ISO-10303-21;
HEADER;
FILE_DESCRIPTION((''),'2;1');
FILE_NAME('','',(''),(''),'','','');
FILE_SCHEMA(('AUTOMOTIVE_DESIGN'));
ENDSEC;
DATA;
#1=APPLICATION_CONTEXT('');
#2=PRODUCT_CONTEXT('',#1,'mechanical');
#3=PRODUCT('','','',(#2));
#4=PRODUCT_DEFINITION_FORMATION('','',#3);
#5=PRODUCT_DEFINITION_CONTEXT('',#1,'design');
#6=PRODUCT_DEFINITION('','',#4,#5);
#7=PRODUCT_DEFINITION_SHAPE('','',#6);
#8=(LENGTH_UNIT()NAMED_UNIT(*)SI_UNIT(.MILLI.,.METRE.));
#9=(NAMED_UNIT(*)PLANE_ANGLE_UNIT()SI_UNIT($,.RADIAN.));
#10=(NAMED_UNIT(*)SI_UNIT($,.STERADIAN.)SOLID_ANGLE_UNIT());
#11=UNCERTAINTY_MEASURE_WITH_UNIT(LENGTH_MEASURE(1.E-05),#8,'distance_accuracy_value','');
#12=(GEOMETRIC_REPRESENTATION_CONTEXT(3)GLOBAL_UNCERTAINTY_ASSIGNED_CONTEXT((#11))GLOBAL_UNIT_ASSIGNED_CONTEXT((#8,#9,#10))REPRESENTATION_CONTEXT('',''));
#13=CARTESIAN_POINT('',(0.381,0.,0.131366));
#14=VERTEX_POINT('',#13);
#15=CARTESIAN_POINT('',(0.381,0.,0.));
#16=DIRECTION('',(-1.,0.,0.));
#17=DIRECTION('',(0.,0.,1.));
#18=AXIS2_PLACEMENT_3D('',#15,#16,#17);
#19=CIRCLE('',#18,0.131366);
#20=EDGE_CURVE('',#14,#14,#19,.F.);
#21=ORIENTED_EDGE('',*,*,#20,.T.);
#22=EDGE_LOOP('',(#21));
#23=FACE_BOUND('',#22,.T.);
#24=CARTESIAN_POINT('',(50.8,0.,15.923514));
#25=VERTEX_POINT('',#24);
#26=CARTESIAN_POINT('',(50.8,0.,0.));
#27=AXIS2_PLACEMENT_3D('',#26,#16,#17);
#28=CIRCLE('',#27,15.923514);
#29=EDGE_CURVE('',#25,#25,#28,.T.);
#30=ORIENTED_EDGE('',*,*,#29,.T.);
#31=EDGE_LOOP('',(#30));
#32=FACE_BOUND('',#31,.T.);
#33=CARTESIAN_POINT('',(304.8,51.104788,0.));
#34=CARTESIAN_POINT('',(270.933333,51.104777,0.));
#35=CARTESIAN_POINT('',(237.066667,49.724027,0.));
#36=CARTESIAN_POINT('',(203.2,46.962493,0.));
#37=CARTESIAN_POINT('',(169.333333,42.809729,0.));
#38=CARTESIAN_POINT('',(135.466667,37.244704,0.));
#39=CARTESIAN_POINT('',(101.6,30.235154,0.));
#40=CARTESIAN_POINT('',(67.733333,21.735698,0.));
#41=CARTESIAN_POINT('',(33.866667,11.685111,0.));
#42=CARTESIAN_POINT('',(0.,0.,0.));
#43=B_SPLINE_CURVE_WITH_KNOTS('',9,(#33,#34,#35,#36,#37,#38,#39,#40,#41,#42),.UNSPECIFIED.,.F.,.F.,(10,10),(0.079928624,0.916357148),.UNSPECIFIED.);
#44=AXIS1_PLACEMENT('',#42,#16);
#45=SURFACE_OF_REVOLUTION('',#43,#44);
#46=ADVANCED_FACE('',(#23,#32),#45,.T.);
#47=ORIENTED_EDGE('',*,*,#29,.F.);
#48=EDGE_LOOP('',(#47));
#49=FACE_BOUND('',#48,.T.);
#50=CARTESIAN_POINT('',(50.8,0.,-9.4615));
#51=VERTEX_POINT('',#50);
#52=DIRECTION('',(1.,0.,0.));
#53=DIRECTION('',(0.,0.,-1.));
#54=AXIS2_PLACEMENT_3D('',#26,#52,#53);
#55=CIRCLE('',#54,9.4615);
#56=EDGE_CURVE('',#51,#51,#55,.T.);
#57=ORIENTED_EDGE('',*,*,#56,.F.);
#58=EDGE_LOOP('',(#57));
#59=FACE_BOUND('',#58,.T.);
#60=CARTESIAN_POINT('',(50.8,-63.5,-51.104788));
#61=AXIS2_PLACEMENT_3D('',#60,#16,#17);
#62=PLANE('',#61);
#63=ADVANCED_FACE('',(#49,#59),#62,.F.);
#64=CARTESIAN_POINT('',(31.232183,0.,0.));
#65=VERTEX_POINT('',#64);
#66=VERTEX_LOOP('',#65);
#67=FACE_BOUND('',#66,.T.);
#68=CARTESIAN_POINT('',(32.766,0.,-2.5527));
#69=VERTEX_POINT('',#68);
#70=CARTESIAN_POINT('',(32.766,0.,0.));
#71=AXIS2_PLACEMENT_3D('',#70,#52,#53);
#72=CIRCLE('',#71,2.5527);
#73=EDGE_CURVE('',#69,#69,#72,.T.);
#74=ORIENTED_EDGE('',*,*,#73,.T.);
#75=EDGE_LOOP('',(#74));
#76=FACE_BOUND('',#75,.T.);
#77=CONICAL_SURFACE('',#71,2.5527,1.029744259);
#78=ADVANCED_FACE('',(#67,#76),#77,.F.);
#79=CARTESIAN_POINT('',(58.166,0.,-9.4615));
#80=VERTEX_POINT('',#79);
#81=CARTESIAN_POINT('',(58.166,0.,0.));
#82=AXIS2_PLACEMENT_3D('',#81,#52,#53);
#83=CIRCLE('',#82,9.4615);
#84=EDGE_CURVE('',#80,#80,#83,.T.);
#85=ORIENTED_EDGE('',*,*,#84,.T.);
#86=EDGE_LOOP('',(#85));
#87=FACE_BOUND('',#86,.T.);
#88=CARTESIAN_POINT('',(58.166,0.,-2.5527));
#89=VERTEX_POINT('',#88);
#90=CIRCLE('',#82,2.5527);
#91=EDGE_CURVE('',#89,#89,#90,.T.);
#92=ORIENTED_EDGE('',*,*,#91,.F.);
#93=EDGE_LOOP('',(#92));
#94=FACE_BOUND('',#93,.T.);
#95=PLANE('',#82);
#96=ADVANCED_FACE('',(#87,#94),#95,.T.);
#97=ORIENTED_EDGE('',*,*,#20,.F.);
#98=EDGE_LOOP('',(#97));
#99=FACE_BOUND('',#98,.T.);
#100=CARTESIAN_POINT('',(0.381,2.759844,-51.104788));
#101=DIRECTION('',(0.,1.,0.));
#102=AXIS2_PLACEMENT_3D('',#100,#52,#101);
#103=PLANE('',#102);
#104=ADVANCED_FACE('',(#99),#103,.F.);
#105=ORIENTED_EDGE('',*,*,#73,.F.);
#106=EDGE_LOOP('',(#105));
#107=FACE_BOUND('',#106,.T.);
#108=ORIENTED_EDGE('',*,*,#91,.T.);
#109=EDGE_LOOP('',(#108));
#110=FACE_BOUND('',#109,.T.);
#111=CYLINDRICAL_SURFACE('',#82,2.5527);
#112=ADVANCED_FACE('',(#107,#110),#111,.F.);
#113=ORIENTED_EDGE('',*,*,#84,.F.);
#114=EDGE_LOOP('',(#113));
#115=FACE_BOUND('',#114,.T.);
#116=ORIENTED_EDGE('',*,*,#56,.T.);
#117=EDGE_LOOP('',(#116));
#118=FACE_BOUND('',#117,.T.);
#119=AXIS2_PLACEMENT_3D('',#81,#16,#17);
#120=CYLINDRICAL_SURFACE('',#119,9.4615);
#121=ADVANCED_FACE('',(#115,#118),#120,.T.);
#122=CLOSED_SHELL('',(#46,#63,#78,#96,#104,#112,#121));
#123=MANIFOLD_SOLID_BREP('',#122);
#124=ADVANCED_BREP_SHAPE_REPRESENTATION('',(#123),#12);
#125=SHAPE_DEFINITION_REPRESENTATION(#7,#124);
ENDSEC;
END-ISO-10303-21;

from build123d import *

# Parameters (mm, degrees)
SKETCH2_W                   = 266.7
SKETCH2_H                   = 127
SKETCH2_W_2                 = 4.523471484
SKETCH2_H_2                 = 5.51968765
CUT_EXTRUDE1_DEPTH          = 52.104787934
CUT_EXTRUDE1_DEPTH_BACK     = 52.104787934
SKETCH3_R                   = 9.4615
BOSS_EXTRUDE1_DEPTH         = 7.366
F_1_4_20_TAPPED_HOLE1_D     = 5.1054
F_1_4_20_TAPPED_HOLE1_DEPTH = 25.4
F_1_4_20_TAPPED_HOLE1_TIP   = 1.533816902


with BuildPart() as part:
    # Sketch1 → Revolve1 (revolve)
    with BuildSketch(Plane.XY):
        with BuildLine():
            Line((304.8, 51.104787834), (304.8, 0))
            Line((304.8, 0), (0, 0))
            add(Edge.make_bspline(
                [(0, 0), (33.866666667, 11.685111304), (67.733333333, 21.735698196), (101.6, 30.235154067), (135.466666666, 37.244703775), (169.333333333, 42.80972925), (203.2, 46.96249326), (237.066666666, 49.724027415), (270.933333333, 51.104777124), (304.8, 51.104787834)],
                knots=[0.079928624, 0.079928624, 0.079928624, 0.079928624, 0.079928624, 0.079928624, 0.079928624, 0.079928624, 0.079928624, 0.079928624, 0.916357148, 0.916357148, 0.916357148, 0.916357148, 0.916357148, 0.916357148, 0.916357148, 0.916357148, 0.916357148, 0.916357148], degree=9))
        make_face()
    revolve(axis=Axis((0, 0, 0), (1, 0, 0)))

    # Sketch2 → Cut-Extrude1 (cut, two sides)
    with BuildSketch(Plane.XY) as cut_extrude1_sk:
        with Locations((184.15, 0)):
            Rectangle(SKETCH2_W, SKETCH2_H)
        with Locations((-1.880735742, 0)):
            Rectangle(SKETCH2_W_2, SKETCH2_H_2)
    extrude(amount=CUT_EXTRUDE1_DEPTH, mode=Mode.SUBTRACT)
    extrude(cut_extrude1_sk.sketch, amount=-CUT_EXTRUDE1_DEPTH_BACK, mode=Mode.SUBTRACT)

    # Sketch3 → Boss-Extrude1 (add)
    with BuildSketch(Plane(origin=(50.8, 0, 0), x_dir=(0, 0, -1), z_dir=(1, 0, 0))):
        Circle(SKETCH3_R)
    extrude(amount=BOSS_EXTRUDE1_DEPTH)

    # 1/4-20 Tapped Hole1
    with Locations(Plane(origin=(58.166, 0, 0), x_dir=(0, 0, -1), z_dir=(1, 0, 0))):
        with Locations((0, 0)):
            Hole(F_1_4_20_TAPPED_HOLE1_D / 2, depth=F_1_4_20_TAPPED_HOLE1_DEPTH)
            with Locations((0, 0, -(F_1_4_20_TAPPED_HOLE1_DEPTH + F_1_4_20_TAPPED_HOLE1_TIP / 2))):  # 118° drill point
                Cone(0, F_1_4_20_TAPPED_HOLE1_D / 2, F_1_4_20_TAPPED_HOLE1_TIP, mode=Mode.SUBTRACT)


solid = part.part
